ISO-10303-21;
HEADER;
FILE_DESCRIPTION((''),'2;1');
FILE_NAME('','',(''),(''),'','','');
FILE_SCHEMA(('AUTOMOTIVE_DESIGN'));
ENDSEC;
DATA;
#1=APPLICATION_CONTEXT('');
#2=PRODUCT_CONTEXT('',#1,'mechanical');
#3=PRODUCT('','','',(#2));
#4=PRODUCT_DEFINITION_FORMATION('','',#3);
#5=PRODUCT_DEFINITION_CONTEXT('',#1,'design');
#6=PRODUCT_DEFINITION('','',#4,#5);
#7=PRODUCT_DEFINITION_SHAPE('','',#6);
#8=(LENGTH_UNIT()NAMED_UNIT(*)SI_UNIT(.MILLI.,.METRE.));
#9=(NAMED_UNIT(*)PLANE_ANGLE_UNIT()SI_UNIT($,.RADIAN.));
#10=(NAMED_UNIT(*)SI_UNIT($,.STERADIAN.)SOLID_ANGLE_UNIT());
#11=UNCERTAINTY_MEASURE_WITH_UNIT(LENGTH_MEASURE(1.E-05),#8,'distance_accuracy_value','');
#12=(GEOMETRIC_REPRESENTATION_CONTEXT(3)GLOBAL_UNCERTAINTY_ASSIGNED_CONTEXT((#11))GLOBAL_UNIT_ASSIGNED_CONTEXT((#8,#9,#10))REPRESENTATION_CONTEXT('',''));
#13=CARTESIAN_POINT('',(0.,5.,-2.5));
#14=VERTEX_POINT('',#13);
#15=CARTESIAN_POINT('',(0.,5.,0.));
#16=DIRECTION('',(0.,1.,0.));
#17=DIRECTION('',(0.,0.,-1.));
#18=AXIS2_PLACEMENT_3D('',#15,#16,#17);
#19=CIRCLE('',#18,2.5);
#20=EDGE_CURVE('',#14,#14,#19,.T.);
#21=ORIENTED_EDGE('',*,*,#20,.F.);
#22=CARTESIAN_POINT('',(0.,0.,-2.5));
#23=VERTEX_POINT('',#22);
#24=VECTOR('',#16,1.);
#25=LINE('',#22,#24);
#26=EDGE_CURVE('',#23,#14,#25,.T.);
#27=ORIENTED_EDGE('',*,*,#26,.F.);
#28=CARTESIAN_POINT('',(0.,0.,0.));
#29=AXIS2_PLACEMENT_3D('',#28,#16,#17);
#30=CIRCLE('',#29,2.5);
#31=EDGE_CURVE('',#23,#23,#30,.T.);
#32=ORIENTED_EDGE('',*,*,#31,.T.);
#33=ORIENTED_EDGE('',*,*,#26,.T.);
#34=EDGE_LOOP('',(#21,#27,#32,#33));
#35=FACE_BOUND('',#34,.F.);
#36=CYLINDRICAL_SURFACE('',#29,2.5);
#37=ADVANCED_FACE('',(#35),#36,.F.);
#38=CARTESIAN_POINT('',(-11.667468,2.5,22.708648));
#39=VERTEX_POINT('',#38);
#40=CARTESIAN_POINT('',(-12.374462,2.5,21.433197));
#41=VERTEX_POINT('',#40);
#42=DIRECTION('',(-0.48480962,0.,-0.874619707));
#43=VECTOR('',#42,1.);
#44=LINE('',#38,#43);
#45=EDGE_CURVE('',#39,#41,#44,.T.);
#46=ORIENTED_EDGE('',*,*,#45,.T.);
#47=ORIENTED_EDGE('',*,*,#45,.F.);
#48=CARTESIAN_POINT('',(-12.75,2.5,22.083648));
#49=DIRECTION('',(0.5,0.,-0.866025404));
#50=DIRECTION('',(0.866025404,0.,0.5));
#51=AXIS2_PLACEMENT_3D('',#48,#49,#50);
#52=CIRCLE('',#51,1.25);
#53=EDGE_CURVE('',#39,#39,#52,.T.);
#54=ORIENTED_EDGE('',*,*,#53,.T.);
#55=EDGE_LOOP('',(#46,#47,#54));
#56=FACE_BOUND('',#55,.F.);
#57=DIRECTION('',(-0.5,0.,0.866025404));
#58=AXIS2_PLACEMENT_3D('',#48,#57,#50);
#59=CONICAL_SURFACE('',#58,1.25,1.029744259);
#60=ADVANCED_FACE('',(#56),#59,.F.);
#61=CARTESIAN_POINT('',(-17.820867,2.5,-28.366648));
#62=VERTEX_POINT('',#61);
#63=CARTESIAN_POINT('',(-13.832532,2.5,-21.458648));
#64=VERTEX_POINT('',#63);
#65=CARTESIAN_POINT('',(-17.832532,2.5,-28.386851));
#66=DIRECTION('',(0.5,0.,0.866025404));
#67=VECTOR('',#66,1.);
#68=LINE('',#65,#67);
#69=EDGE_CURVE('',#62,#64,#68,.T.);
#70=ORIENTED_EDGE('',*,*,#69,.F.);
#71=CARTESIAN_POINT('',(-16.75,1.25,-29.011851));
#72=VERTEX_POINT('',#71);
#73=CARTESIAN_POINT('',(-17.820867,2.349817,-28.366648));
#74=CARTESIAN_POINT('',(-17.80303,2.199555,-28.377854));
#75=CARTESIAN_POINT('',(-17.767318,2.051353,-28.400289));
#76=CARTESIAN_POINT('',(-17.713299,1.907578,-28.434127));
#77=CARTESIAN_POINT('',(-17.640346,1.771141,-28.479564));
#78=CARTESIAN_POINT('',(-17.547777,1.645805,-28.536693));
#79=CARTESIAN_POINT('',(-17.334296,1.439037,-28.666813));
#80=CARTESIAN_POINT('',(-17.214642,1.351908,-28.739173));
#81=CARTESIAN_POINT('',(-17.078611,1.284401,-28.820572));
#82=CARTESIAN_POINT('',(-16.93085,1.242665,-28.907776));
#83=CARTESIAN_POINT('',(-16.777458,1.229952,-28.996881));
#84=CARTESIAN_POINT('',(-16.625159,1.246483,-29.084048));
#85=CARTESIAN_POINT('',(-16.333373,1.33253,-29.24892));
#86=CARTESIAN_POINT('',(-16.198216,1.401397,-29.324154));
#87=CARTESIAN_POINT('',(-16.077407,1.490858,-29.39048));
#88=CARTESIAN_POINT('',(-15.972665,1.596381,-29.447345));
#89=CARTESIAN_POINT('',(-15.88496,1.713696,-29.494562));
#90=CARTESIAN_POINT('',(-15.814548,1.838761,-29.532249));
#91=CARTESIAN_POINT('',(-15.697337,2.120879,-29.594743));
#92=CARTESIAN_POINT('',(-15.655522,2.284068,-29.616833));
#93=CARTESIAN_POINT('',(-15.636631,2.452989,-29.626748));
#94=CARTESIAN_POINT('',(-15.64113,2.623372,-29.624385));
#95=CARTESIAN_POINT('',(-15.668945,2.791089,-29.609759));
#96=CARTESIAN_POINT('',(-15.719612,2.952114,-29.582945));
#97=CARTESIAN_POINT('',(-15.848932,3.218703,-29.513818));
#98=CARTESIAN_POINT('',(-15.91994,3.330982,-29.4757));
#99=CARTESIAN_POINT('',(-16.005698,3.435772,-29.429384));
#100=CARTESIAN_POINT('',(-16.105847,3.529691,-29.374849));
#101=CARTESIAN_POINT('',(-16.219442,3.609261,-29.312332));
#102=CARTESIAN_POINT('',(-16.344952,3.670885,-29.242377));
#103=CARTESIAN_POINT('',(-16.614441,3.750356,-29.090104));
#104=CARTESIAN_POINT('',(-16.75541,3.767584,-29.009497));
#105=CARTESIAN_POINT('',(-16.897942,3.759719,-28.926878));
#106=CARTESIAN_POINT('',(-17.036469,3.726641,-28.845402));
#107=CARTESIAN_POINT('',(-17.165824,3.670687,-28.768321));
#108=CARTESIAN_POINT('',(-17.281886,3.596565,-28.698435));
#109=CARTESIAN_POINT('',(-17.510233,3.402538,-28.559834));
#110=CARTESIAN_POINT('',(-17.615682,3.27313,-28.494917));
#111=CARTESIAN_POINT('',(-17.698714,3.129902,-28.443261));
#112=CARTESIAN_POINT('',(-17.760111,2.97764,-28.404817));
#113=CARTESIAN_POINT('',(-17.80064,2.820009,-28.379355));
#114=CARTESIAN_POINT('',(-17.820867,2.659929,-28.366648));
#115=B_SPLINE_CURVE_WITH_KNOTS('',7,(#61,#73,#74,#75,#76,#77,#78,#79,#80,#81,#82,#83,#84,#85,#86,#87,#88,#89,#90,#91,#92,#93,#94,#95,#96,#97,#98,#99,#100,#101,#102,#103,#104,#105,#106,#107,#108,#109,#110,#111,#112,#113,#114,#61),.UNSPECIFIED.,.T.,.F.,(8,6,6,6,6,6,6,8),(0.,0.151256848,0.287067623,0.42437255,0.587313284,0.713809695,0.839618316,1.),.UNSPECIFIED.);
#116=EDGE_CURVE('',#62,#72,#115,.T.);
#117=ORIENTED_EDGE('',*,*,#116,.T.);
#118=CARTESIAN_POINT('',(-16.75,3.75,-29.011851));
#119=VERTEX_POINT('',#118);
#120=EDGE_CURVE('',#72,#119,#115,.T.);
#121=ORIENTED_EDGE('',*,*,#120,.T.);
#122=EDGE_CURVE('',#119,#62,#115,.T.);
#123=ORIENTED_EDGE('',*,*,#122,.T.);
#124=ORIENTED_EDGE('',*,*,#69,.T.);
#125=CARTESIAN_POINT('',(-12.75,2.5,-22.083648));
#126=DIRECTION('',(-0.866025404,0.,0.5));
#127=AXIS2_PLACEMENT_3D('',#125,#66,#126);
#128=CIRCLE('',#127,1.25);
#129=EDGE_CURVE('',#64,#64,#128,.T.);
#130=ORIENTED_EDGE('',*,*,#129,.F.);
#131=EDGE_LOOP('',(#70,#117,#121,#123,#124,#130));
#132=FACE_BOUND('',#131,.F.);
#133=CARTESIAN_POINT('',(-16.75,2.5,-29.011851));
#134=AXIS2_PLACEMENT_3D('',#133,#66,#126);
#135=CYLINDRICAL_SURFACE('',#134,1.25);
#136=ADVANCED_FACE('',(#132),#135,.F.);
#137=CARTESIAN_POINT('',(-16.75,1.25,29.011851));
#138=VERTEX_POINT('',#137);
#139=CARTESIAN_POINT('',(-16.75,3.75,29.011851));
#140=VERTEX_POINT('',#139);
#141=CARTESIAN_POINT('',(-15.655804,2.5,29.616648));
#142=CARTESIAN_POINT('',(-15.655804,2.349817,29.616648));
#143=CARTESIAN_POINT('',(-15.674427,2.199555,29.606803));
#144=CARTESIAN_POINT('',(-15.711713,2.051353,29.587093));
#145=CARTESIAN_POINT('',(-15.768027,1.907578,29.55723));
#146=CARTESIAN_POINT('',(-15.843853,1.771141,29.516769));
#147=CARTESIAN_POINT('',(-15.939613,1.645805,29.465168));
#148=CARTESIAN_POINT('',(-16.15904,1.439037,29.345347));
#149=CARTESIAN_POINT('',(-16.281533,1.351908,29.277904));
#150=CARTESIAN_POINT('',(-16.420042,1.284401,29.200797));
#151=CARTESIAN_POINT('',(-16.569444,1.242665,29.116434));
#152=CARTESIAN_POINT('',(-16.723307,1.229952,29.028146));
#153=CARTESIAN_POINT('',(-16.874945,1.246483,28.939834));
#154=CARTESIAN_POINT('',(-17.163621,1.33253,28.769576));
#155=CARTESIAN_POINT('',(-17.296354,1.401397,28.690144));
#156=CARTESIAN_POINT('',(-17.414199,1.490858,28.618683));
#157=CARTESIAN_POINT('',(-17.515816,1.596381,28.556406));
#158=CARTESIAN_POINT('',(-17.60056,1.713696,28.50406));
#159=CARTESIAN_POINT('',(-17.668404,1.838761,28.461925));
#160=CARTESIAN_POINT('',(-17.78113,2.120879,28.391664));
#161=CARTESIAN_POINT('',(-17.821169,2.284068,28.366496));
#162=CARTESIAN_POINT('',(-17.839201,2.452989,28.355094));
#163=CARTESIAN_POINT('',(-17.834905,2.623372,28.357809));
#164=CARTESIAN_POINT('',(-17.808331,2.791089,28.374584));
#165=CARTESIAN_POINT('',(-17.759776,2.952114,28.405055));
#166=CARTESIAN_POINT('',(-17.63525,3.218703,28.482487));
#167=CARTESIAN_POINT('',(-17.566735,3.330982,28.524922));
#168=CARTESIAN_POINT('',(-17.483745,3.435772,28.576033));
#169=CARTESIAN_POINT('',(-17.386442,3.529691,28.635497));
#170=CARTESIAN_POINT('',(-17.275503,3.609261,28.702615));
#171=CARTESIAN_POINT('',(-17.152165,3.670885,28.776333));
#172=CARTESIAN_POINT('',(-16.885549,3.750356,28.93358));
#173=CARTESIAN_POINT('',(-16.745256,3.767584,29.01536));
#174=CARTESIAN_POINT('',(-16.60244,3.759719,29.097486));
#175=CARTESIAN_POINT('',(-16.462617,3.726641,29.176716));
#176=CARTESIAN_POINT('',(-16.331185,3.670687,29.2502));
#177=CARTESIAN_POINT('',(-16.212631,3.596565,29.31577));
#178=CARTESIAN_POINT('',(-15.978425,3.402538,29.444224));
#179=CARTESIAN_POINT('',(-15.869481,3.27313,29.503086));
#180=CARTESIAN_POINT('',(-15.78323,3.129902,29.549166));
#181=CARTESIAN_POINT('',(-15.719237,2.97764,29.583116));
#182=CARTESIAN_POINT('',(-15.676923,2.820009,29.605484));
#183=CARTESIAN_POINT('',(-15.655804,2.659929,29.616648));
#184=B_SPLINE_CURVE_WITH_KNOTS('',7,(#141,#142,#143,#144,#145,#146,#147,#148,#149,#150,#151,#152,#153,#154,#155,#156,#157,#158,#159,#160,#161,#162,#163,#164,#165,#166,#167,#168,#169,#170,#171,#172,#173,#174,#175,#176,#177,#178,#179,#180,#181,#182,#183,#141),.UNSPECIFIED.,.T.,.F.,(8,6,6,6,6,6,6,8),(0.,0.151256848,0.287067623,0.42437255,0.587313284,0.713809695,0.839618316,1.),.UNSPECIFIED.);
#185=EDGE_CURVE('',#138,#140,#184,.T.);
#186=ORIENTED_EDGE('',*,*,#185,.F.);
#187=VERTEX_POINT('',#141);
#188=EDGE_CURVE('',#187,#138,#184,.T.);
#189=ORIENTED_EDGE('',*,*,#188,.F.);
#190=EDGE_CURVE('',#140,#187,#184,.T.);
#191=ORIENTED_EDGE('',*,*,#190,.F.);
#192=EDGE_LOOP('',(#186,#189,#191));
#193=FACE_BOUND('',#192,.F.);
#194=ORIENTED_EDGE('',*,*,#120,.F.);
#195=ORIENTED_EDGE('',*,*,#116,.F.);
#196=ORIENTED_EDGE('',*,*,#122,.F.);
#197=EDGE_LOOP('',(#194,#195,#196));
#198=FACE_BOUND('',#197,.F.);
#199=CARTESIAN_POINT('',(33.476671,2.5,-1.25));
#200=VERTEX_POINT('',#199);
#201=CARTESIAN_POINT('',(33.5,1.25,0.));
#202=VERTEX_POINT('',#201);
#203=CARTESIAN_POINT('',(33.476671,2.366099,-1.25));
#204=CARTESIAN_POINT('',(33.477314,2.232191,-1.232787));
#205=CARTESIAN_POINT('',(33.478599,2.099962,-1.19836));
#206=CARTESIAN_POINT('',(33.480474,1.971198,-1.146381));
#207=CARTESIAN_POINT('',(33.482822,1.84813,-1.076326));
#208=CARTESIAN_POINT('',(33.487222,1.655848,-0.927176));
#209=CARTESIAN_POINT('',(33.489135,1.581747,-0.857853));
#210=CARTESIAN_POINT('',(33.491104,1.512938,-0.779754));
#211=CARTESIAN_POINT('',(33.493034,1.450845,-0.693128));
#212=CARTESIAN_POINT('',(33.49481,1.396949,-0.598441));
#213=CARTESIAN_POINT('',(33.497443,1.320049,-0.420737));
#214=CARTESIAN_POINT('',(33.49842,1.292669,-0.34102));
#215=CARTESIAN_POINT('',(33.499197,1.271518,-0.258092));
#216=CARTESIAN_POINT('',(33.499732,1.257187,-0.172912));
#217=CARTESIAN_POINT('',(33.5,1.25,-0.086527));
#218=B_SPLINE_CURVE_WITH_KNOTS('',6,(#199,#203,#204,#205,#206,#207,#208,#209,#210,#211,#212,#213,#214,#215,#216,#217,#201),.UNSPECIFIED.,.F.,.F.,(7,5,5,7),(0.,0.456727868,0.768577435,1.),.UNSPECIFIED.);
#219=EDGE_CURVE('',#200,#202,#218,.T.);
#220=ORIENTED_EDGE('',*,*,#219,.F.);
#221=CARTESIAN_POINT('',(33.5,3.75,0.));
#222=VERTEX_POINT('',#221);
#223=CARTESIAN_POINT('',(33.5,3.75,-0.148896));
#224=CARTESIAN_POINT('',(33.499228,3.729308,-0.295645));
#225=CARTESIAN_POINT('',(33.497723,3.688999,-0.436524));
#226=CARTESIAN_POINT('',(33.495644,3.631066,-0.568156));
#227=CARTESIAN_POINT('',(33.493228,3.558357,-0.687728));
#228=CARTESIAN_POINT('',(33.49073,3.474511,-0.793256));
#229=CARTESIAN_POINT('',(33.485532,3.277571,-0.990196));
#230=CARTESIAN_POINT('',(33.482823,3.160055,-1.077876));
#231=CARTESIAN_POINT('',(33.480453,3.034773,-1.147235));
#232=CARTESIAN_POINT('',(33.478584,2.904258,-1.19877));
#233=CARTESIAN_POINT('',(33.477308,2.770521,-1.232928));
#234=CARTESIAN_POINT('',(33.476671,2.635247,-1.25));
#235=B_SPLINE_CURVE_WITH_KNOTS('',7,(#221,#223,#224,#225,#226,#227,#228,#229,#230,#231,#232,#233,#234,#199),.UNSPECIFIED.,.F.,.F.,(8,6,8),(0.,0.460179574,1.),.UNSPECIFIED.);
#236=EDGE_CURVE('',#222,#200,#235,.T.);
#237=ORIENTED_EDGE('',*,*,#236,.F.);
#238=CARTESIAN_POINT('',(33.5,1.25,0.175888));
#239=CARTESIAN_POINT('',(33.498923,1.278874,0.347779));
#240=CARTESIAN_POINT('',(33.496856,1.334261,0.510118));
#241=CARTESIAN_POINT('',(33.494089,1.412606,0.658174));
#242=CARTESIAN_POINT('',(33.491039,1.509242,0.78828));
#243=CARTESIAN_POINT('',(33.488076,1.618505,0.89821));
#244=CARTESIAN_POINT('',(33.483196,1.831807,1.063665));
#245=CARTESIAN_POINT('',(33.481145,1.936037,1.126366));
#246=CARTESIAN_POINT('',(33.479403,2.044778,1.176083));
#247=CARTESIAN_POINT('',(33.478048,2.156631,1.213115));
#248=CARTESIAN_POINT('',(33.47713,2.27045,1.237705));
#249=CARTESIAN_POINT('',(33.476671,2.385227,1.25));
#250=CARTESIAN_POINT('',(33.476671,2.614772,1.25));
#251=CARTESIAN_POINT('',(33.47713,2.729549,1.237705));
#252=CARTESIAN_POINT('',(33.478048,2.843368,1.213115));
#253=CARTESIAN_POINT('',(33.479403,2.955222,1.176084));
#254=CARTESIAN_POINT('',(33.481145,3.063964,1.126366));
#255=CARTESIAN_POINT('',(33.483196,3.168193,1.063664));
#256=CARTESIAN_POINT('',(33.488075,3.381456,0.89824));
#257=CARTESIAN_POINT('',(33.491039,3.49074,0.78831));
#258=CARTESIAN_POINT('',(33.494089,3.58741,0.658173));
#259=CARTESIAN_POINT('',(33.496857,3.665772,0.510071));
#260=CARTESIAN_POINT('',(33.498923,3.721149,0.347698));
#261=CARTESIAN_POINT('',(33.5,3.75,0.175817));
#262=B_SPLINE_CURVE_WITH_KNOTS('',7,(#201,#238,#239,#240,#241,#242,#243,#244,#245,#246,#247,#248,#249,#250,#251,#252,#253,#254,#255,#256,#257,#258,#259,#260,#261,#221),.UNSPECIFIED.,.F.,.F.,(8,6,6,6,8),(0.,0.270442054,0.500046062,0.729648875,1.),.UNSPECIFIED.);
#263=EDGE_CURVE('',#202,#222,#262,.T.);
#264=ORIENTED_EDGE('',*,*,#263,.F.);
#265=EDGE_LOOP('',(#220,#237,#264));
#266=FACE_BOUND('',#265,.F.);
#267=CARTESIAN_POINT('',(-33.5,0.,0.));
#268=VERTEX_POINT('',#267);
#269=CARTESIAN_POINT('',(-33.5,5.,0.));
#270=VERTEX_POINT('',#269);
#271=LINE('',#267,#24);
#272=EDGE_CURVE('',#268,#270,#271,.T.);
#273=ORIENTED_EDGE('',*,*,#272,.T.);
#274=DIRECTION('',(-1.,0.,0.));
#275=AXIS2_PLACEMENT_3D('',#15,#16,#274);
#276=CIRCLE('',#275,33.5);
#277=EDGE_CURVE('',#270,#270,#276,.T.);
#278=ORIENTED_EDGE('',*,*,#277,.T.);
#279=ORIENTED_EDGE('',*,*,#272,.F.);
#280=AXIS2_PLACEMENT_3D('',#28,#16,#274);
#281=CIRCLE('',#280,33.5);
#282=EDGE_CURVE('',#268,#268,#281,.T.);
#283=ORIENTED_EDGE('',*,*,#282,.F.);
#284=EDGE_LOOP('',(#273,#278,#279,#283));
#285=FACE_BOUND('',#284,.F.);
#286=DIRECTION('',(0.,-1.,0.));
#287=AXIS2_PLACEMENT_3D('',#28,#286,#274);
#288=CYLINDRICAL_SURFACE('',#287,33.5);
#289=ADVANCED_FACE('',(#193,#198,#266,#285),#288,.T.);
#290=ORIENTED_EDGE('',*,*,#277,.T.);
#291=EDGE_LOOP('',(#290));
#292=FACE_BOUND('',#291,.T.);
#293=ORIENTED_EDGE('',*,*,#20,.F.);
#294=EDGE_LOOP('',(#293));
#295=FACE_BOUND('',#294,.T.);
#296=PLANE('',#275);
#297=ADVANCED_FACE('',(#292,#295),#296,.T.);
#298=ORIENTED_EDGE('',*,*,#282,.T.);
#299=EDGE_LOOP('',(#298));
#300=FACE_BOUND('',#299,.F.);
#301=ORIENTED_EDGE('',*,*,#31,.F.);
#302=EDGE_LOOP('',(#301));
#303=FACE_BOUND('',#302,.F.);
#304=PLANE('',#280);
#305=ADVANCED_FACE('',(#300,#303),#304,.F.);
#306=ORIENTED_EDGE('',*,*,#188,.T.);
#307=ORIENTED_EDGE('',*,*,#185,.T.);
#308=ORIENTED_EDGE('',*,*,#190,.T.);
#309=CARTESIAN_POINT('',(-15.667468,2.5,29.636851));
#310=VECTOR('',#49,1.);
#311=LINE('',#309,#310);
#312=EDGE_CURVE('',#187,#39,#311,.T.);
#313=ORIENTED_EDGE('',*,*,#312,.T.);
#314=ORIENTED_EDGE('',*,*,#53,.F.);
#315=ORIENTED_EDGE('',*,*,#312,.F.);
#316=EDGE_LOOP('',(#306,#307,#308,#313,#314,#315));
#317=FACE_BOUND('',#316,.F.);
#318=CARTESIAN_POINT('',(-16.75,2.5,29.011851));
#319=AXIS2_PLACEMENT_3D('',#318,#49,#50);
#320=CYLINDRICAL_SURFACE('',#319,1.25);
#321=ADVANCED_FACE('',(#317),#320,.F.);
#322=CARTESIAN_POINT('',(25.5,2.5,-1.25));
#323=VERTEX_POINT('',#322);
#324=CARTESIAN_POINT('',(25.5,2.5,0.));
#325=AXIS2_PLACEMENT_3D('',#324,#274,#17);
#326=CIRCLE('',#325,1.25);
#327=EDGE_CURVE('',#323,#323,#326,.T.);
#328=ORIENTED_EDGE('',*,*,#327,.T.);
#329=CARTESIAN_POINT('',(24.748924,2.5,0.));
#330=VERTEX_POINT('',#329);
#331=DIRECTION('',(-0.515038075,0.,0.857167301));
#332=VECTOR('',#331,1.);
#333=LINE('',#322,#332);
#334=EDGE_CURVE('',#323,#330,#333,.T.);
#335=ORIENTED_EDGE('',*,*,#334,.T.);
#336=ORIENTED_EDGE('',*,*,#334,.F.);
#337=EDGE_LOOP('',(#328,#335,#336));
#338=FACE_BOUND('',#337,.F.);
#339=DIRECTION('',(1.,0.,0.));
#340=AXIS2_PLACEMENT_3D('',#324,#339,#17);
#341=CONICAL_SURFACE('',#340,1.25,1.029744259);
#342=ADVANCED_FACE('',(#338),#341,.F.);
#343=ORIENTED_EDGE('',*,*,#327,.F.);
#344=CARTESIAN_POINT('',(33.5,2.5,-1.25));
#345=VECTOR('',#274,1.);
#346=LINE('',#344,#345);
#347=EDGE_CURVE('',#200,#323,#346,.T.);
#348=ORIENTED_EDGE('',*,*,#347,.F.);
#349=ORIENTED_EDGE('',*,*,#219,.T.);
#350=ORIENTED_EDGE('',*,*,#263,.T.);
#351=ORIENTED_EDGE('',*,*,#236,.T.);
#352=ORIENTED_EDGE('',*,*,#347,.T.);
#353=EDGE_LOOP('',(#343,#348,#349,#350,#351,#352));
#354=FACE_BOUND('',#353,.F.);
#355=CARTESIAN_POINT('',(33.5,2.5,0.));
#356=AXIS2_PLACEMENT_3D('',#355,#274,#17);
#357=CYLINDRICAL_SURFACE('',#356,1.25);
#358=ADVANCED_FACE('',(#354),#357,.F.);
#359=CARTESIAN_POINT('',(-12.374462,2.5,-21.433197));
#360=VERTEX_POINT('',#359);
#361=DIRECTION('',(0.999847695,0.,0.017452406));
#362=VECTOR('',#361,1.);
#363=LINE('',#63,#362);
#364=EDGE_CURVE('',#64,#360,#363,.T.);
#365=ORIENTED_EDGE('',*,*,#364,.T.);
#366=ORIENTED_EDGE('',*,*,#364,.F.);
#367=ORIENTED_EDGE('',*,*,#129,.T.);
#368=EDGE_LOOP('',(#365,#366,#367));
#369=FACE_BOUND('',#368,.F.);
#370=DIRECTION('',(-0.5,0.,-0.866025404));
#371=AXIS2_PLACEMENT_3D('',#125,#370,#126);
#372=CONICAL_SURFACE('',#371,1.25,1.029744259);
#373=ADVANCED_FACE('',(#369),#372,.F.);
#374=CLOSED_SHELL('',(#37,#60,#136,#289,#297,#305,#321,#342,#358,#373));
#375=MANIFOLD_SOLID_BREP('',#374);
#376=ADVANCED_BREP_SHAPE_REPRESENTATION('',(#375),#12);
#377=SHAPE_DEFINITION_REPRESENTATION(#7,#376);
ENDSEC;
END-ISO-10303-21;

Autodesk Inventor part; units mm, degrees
ref_plane "XZ Plane" through (0, 0, 0) normal (0, 1, 0) x (-1, 0, 0)
ref_plane "XY Plane" through (0, 0, 0) normal (0, 0, 1) x (1, 0, 0)
sketch "Sketch1" plane through (0, 0, 0) normal (0, 1, 0) x (-1, 0, 0)
  circle A0 centre (0, 0) radius 33.5
  dimension "d0" = 67
extrude "Extrusion1" add sketch "Sketch1" along normal blind 5
ref_plane "Work Plane1" through (33.5, 0, 0) normal (1, 0, 0) x (0, 1, 0)
sketch "Sketch2" plane through (33.5, 0, 0) normal (1, 0, 0) x (0, 1, 0)
  line L0 (0, -33.5) -> (0, 33.5) projected
  point P0 (0, 0)
  point P1 (2.5, 0)
  dimension "d4" = 2.5
hole "Hole1" at (33.5, 2.5, 0) direction (-1, 0, 0) diameter 2.5 depth 8 tip angle 118
pattern_circular "Circular Pattern1" count 3 over 360 about axis through (0, 0, 0) along (0, 1, 0) of "Hole1"
sketch "Sketch3" plane through (0, 0, 0) normal (0, -1, 0) x (1, 0, 0)
  point P0 (0, 0)
  point P1 (0, 0)
hole "Hole2" at (0, 0, 0) direction (0, 1, 0) diameter 5 depth 8 tip angle 118
properties part number "Engine bulkhead" material "Steel AISI 1006 85 HR"
